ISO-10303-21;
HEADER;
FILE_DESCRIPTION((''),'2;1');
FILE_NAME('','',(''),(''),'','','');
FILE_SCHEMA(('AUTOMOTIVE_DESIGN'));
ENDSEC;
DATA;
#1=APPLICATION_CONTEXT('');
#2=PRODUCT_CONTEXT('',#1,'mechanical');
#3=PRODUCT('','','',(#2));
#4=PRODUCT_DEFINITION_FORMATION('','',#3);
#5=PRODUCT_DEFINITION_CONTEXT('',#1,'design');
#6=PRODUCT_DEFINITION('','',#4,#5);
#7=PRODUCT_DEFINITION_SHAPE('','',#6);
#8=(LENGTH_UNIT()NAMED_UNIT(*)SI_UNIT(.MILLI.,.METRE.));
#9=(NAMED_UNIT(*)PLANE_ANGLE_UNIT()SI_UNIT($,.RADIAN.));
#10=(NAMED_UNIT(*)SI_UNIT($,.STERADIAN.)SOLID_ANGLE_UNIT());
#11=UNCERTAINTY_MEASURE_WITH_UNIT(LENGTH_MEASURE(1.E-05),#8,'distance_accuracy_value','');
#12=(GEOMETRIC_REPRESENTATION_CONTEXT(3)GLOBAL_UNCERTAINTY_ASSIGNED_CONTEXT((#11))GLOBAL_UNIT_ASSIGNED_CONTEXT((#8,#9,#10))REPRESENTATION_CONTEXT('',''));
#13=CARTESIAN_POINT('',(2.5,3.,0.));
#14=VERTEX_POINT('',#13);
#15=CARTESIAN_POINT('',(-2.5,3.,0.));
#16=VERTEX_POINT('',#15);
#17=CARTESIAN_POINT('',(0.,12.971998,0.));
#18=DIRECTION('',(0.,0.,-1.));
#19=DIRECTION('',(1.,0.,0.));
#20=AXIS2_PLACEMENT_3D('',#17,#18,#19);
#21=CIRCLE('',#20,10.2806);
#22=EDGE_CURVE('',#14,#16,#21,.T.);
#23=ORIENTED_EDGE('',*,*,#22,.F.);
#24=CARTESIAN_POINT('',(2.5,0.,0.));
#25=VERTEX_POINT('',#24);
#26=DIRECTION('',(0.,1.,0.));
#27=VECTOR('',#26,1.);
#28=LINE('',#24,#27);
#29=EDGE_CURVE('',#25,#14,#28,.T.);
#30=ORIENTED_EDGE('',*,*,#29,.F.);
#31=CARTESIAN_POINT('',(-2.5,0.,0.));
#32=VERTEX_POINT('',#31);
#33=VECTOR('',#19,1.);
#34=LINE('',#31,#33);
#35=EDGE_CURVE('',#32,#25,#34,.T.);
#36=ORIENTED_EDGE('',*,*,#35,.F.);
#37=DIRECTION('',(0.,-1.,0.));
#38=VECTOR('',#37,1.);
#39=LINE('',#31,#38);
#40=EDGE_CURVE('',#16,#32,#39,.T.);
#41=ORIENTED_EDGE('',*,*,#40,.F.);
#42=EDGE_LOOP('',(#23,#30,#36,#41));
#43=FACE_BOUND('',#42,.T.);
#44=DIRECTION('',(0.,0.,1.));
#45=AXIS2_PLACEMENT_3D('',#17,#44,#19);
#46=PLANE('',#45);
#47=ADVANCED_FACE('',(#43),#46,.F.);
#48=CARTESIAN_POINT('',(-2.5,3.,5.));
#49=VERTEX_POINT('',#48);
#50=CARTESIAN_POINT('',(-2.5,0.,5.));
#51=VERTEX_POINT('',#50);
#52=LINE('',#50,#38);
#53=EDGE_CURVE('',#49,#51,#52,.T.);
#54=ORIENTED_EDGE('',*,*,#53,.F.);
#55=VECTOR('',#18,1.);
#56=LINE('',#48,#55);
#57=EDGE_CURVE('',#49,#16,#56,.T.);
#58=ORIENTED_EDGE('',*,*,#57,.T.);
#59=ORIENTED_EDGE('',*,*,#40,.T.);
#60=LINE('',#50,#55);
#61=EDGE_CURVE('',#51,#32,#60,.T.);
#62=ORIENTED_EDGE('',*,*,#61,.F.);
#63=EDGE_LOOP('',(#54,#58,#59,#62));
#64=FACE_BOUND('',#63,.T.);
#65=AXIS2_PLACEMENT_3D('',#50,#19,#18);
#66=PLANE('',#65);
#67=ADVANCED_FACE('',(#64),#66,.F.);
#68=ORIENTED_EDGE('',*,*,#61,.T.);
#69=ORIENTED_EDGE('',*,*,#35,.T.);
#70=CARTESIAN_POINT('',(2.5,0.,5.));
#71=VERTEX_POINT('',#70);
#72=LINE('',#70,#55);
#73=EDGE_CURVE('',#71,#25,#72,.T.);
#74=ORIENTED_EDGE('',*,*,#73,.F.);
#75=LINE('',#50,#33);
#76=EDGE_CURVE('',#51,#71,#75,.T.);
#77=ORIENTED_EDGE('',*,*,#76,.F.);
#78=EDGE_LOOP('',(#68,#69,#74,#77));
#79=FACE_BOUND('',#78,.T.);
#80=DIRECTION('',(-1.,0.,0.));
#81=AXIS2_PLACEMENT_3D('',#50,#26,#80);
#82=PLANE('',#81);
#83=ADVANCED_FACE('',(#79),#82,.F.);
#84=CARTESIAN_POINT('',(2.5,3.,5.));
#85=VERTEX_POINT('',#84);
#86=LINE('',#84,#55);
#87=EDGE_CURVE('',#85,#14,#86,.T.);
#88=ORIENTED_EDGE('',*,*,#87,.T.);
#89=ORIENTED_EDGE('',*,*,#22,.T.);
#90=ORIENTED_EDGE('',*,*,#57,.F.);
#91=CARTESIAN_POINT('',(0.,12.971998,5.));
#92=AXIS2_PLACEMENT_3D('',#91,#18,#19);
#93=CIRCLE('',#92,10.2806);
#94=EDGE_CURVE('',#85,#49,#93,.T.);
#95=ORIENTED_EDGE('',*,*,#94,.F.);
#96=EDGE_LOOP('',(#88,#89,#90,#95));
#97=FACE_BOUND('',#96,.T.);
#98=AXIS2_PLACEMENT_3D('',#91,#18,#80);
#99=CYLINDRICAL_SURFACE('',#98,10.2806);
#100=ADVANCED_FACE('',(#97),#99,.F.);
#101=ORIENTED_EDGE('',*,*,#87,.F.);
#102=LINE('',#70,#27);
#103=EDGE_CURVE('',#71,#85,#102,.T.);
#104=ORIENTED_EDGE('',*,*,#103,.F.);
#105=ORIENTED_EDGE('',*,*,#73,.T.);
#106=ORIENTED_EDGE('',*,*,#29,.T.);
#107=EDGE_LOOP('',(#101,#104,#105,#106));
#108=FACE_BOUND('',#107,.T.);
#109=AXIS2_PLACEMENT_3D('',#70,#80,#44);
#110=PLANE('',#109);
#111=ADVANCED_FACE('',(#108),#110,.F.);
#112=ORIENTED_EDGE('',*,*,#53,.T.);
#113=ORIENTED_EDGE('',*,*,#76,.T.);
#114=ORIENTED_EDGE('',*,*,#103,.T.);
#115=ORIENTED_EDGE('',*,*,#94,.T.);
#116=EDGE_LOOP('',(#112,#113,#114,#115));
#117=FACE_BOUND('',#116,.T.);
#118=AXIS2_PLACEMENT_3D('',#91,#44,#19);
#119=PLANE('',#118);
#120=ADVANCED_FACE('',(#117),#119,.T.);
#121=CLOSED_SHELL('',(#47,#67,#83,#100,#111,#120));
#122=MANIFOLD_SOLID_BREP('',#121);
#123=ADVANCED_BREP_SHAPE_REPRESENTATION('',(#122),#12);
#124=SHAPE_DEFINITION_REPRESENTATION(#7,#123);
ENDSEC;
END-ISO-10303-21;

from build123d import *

# Parameters (mm, degrees)
BOSS_EXTRUDE1_DEPTH = 5


with BuildPart() as part:
    # Sketch1 → Boss-Extrude1 (new body)
    with BuildSketch(Plane.XY):
        with BuildLine():
            Line((-2.5, 0), (2.5, 0))
            Line((2.5, 0), (2.5, 3))
            ThreePointArc((2.5, 3), (0, 2.691397622), (-2.5, 3))
            Line((-2.5, 3), (-2.5, 0))
        make_face()
    extrude(amount=BOSS_EXTRUDE1_DEPTH)


solid = part.part
